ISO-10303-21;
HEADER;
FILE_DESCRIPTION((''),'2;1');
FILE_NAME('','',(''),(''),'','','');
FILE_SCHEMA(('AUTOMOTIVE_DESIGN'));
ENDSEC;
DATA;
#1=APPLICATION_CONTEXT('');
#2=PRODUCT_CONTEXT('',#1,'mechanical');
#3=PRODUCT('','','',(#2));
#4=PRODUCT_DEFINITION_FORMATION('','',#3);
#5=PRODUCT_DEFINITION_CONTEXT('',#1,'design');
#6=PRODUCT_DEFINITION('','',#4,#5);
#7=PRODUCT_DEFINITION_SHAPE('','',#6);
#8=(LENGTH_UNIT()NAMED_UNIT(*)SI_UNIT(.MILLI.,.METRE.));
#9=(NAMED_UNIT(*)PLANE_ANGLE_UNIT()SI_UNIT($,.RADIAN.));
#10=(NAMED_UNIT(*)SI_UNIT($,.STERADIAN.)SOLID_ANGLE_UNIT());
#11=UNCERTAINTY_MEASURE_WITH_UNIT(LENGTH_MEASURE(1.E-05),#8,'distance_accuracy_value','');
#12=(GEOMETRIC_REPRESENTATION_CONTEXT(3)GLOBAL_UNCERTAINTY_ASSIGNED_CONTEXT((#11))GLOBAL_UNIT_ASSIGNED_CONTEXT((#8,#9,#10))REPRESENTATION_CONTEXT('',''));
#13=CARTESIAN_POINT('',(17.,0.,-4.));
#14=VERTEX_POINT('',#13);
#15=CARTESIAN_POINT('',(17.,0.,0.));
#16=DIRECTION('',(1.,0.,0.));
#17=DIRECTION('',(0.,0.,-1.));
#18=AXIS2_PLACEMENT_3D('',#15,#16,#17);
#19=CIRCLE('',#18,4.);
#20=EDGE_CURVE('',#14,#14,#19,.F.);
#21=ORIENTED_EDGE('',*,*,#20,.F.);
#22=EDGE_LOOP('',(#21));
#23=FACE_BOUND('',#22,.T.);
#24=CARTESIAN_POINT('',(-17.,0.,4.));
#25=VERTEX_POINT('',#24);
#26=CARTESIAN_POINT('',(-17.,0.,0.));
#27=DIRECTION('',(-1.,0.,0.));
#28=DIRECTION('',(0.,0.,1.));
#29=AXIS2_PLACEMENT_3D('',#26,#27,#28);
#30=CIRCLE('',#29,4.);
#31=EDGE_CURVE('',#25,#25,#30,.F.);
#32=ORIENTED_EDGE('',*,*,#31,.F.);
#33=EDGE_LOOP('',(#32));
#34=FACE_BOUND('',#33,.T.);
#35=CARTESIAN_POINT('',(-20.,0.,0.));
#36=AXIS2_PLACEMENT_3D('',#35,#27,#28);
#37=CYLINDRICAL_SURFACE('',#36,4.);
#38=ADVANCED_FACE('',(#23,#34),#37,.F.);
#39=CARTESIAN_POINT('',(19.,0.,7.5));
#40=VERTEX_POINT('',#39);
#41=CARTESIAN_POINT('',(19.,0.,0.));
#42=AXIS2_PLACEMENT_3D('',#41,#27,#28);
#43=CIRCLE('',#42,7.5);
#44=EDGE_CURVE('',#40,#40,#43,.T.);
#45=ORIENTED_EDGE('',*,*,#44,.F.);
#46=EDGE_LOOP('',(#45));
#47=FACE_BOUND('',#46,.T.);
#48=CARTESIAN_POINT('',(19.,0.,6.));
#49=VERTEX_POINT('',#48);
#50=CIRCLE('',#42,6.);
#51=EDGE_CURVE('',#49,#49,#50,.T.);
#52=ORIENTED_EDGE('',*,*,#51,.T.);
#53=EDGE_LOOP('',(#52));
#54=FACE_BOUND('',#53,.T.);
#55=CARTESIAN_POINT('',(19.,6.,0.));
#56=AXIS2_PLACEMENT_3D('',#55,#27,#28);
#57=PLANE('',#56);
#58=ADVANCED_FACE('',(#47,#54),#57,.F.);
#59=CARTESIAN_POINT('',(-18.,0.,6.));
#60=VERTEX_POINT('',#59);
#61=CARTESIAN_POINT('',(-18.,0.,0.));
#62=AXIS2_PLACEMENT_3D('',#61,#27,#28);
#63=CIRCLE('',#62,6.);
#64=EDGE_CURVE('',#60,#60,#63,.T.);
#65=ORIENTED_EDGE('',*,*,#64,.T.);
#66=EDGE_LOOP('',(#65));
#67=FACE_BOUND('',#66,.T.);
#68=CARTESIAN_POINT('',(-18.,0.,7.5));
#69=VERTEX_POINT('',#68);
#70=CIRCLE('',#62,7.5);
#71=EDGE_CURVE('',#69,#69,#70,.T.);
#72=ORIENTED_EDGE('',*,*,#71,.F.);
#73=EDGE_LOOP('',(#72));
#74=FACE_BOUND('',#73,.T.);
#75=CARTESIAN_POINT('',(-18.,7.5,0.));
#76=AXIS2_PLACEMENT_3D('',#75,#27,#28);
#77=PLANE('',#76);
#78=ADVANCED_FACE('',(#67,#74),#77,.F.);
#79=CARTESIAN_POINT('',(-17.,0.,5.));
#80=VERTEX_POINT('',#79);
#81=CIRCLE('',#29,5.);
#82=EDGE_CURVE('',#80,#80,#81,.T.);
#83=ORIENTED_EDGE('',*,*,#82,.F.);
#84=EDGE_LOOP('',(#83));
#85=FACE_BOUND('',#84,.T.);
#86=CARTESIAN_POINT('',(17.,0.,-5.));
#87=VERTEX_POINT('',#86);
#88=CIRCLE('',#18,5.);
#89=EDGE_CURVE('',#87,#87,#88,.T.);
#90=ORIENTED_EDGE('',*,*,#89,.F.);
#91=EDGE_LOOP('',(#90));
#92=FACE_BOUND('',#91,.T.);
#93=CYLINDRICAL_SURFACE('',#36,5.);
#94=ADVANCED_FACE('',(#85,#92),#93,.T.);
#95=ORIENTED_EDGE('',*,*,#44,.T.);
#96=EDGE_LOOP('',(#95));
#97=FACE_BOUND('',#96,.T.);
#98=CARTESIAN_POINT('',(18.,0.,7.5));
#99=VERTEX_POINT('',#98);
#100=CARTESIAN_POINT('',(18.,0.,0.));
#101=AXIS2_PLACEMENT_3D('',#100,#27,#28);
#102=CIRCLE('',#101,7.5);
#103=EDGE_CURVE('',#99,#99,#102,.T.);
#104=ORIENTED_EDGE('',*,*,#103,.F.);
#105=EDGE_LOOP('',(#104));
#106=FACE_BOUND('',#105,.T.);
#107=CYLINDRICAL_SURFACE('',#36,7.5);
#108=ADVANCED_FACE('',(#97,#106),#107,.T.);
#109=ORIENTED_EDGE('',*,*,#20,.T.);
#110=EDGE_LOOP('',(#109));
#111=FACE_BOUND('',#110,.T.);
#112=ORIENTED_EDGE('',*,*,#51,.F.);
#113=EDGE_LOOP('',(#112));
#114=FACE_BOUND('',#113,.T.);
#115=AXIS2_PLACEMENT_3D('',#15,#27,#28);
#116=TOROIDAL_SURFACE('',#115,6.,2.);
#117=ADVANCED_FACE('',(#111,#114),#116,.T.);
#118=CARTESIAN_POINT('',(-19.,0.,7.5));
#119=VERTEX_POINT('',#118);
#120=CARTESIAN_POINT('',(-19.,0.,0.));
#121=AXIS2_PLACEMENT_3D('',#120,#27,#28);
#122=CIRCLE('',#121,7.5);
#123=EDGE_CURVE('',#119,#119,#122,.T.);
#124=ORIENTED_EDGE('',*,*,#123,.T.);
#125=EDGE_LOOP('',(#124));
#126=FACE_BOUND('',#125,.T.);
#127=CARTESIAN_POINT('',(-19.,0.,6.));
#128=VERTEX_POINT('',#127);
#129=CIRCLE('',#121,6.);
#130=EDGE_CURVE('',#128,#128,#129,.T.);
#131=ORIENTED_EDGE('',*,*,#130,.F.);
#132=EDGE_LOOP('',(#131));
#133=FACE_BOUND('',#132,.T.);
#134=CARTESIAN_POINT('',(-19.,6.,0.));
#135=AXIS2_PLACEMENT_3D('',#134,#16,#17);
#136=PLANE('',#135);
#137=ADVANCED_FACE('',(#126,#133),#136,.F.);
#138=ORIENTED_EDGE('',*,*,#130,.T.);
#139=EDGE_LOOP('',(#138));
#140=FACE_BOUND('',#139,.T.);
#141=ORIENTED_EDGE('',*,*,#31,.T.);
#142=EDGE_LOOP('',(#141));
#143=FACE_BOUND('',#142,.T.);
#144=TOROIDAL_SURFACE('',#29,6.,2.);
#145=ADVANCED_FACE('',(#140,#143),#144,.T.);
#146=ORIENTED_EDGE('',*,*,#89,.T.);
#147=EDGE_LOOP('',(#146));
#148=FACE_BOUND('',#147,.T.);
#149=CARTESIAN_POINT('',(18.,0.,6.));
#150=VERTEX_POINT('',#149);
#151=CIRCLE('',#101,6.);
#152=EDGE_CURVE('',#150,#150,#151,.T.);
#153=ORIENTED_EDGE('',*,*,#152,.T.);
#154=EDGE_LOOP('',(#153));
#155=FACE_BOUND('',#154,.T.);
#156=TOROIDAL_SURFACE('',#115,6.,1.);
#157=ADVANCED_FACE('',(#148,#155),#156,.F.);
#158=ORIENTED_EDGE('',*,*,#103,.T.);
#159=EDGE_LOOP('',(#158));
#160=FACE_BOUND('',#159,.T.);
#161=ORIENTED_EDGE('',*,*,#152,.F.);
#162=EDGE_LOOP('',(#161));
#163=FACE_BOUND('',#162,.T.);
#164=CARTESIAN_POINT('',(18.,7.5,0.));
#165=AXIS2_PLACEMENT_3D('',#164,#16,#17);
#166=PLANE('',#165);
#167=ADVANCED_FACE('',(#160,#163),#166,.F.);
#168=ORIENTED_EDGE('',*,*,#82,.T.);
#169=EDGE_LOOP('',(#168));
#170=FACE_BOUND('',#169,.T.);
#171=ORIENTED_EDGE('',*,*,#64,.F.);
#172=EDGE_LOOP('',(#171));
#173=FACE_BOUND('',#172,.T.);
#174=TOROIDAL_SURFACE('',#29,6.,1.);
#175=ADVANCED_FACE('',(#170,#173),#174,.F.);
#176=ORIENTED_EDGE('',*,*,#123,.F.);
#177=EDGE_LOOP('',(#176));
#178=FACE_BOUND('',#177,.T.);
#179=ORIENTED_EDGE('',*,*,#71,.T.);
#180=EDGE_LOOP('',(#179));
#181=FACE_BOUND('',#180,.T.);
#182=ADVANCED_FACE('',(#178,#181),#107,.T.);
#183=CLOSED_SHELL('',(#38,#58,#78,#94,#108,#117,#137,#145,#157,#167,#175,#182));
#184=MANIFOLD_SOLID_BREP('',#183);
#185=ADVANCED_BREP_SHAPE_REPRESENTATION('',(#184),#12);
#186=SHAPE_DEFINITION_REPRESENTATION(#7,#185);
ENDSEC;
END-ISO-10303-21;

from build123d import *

# Parameters (mm, degrees)
SKETCH1_W = 40
SKETCH1_H = 1
SKETCH2_W = 3
SKETCH2_H = 6


with BuildPart() as part:
    # Sketch1 → Base-Revolve (revolve)
    with BuildSketch(Plane.XY, mode=Mode.PRIVATE) as base_revolve_sk:
        with Locations((0, 4.5)):
            Rectangle(SKETCH1_W, SKETCH1_H)
    revolve(base_revolve_sk.sketch.rotate(Axis((-20, 0, 0), (1, 0, 0)), 90), axis=Axis((-20, 0, 0), (1, 0, 0)))

    # Sketch2 → Cut-for-GripLength (revolve, cut)
    with BuildSketch(Plane.XY):
        with Locations((-18.5, 3)):
            Rectangle(SKETCH2_W, SKETCH2_H)
        with Locations((18.5, 3)):
            Rectangle(SKETCH2_W, SKETCH2_H)
    revolve(axis=Axis((-30, 0, 0), (1, 0, 0)), mode=Mode.SUBTRACT)

    # Sketch3 → HeadTypeA (revolve)
    with BuildSketch(Plane.XY, mode=Mode.PRIVATE) as headtypea_sk:
        with BuildLine():
            Line((-19, 6), (-19, 7.5))
            Line((-19, 7.5), (-18, 7.5))
            Line((-18, 7.5), (-18, 6))
            ThreePointArc((-18, 6), (-17.707106781, 5.292893219), (-17, 5))
            Line((-17, 5), (-17, 4))
            ThreePointArc((-17, 4), (-18.414213562, 4.585786438), (-19, 6))
        make_face()
        with BuildLine():
            Line((19, 6), (19, 7.5))
            Line((19, 7.5), (18, 7.5))
            Line((18, 7.5), (18, 6))
            ThreePointArc((18, 6), (17.707106781, 5.292893219), (17, 5))
            Line((17, 5), (17, 4))
            ThreePointArc((17, 4), (18.414213562, 4.585786438), (19, 6))
        make_face()
    revolve(headtypea_sk.sketch.rotate(Axis((-20, 0, 0), (1, 0, 0)), 90), axis=Axis((-20, 0, 0), (1, 0, 0)))


solid = part.part
